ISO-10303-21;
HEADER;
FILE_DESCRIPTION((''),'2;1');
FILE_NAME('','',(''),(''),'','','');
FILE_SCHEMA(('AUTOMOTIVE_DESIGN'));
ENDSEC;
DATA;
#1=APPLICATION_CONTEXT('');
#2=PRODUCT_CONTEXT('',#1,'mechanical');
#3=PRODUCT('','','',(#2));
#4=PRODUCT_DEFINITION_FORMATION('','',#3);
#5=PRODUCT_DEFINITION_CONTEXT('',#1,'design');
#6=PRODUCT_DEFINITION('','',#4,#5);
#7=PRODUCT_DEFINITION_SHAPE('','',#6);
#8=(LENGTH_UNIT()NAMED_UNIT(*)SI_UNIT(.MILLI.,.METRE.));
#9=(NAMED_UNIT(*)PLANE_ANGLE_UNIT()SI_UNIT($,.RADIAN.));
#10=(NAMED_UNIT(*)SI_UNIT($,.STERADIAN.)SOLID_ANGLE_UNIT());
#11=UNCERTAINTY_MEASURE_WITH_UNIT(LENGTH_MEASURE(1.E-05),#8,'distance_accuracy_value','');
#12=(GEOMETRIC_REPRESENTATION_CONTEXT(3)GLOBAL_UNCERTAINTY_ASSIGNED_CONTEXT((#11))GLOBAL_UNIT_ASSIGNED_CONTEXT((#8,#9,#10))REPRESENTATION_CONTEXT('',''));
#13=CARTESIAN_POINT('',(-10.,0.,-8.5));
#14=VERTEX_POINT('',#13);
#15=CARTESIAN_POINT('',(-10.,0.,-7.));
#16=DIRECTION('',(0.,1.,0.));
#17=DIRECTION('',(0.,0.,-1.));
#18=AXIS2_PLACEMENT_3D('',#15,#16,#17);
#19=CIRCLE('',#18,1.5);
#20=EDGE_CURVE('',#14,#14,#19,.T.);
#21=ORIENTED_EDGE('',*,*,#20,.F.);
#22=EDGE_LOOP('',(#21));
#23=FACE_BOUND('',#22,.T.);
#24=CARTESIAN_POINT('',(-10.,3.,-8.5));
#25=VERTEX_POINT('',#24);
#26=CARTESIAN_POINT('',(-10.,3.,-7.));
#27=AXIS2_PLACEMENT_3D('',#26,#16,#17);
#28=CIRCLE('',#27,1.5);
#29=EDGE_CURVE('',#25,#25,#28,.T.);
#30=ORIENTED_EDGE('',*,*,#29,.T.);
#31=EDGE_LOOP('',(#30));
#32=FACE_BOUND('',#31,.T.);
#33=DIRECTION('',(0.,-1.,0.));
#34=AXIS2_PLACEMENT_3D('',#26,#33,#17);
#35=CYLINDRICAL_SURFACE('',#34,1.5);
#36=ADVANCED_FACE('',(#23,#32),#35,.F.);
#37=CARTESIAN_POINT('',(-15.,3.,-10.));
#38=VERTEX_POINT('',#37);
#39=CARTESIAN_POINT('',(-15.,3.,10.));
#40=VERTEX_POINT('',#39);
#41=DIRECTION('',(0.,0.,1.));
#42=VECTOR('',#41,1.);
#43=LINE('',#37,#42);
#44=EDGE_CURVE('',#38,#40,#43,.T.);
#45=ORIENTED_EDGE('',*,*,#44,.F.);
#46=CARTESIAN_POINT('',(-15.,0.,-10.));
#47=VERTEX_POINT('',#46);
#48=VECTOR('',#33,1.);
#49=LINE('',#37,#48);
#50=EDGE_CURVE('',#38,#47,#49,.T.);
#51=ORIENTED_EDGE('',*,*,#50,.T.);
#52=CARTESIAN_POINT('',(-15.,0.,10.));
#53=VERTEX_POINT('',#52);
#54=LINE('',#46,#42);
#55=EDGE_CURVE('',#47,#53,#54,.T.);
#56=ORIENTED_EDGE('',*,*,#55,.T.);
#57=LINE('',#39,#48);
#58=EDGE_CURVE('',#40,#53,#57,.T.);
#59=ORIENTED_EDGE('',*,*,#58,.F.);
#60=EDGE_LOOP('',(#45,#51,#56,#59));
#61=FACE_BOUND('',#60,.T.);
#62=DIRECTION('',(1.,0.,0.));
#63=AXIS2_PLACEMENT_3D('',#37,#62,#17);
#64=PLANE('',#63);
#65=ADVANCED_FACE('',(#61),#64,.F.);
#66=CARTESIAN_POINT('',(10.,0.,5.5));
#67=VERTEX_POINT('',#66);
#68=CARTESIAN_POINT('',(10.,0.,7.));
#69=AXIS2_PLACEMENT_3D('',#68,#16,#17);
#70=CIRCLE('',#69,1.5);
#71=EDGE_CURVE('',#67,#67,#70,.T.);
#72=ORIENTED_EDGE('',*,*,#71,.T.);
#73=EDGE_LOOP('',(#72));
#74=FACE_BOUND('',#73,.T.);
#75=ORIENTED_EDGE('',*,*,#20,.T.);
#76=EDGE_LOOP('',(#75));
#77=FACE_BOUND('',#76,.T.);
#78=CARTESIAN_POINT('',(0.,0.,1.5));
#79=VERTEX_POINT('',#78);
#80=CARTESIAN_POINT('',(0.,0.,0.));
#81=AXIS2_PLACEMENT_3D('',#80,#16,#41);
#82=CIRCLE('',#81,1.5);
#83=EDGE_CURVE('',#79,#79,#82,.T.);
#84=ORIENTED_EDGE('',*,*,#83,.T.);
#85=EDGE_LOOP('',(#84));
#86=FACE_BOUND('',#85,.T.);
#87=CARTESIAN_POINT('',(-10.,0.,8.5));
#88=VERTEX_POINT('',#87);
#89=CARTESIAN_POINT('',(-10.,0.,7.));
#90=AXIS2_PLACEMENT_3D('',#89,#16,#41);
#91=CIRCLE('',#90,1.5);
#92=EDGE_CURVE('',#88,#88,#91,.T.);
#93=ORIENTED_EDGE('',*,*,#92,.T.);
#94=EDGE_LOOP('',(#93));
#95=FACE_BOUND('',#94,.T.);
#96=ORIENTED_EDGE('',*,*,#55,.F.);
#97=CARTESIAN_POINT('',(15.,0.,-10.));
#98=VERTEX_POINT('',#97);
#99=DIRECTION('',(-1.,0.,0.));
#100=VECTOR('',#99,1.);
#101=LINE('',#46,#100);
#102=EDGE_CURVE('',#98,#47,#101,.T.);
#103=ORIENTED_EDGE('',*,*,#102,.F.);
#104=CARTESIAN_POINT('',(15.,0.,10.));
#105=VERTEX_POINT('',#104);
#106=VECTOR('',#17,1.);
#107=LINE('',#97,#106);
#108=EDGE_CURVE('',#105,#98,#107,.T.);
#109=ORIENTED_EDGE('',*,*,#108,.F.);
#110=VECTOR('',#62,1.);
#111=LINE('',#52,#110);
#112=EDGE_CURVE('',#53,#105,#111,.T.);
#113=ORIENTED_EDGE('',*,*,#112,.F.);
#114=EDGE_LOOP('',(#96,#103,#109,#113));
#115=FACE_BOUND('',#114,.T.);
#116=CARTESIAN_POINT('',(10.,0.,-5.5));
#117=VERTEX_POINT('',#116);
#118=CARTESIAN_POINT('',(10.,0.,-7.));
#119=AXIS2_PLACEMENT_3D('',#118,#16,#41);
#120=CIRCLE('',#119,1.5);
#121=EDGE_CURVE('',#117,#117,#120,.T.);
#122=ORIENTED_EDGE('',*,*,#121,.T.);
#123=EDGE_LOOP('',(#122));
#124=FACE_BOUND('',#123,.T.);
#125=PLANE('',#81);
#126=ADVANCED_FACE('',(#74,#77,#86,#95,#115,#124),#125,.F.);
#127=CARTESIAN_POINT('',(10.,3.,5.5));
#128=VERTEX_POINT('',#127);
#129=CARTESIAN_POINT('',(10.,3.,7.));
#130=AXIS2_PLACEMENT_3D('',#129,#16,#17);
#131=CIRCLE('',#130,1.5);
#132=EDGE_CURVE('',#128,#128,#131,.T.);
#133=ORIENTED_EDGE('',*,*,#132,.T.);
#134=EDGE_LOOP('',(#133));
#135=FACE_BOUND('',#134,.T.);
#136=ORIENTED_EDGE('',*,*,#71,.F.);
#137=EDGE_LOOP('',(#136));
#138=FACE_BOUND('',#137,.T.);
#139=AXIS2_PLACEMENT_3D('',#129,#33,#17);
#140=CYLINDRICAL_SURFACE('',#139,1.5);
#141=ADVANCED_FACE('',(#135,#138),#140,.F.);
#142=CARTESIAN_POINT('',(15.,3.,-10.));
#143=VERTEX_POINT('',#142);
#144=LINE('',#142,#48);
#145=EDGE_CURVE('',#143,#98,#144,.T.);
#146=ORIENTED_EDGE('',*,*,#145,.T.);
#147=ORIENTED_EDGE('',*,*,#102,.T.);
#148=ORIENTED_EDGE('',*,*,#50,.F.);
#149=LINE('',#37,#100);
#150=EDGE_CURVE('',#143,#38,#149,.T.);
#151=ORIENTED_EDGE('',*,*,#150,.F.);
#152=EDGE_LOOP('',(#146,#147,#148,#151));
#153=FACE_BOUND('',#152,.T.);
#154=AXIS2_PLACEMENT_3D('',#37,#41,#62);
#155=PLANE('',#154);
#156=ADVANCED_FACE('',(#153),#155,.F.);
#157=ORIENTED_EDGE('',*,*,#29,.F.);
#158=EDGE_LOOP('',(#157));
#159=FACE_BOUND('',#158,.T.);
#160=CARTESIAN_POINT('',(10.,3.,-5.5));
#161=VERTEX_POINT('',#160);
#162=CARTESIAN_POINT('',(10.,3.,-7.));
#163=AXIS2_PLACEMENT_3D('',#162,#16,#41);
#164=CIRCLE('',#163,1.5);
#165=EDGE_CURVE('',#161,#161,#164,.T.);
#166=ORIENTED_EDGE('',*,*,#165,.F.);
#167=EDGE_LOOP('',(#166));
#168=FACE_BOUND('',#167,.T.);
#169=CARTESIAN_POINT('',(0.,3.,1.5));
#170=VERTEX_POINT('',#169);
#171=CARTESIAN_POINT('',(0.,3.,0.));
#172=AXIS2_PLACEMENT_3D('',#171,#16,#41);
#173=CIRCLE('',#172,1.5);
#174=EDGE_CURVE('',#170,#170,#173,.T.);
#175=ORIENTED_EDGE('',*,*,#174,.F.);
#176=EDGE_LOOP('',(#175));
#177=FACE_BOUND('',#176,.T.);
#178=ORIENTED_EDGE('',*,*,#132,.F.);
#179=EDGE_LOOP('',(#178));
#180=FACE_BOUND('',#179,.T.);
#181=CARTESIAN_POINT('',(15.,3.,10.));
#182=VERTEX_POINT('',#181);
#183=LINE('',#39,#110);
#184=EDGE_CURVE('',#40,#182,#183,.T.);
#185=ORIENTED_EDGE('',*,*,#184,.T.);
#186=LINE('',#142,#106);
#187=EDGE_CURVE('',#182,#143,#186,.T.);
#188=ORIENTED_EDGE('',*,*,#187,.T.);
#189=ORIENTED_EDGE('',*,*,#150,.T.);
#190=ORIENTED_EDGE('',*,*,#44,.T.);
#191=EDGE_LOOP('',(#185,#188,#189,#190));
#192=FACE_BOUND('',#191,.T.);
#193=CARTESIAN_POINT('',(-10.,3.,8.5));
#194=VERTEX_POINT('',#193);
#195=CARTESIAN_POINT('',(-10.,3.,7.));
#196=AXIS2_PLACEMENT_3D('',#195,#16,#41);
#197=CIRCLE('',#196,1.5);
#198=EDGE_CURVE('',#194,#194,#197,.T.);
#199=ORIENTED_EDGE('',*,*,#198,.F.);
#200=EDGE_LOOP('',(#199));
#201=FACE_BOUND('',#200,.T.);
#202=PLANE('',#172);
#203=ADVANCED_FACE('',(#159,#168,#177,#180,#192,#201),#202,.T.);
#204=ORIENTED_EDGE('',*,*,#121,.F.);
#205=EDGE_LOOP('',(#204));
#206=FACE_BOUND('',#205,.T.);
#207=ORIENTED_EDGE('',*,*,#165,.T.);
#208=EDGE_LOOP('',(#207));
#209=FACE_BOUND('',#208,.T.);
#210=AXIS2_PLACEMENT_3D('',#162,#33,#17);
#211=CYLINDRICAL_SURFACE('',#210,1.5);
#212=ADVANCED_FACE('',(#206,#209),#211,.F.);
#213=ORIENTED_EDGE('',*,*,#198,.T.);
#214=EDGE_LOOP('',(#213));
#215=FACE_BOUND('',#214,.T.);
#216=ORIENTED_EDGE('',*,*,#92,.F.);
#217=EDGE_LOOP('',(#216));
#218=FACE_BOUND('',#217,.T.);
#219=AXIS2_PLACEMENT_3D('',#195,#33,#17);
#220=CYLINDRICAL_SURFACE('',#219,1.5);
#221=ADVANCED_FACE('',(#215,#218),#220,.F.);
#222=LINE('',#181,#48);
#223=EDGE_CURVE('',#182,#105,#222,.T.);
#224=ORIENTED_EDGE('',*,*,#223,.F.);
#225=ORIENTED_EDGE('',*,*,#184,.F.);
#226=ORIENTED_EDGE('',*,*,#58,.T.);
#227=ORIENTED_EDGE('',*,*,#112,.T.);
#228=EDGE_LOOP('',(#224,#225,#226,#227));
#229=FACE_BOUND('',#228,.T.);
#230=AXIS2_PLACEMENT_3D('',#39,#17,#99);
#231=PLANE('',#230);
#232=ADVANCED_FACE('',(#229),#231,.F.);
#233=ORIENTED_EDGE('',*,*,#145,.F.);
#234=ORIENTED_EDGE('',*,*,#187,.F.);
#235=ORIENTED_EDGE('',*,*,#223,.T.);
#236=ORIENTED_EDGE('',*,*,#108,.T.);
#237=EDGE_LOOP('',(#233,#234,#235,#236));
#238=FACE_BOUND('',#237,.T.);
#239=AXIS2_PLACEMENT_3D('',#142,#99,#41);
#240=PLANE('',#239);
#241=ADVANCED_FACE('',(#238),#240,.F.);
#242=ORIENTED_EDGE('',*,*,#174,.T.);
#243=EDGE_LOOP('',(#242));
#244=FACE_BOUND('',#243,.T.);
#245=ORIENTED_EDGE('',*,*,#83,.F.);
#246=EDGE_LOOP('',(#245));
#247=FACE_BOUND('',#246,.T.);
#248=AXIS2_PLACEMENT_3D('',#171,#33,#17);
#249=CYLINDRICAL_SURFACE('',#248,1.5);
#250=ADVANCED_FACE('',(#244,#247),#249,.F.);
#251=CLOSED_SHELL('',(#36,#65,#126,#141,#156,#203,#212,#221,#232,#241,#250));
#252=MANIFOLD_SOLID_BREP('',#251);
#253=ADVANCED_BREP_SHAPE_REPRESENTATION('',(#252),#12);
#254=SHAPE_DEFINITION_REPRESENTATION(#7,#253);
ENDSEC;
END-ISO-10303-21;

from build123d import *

# Parameters (mm, degrees)
SKETCH_1_W      = 30
SKETCH_1_H      = 20
SKETCH_1_R      = 1.5
EXTRUDE_1_DEPTH = 3


with BuildPart() as part:
    # 草图1 → 凸台-拉伸1 (new body)
    with BuildSketch(Plane(origin=(0, 0, 0), x_dir=(1, 0, 0), z_dir=(0, 1, 0))):
        Rectangle(SKETCH_1_W, SKETCH_1_H)
        with Locations(Location((-10, -7, 0), (0, 0, 270))):
            Circle(SKETCH_1_R, mode=Mode.SUBTRACT)
        with Locations(Location((10, -7, 0), (0, 0, 90))):
            Circle(SKETCH_1_R, mode=Mode.SUBTRACT)
        with Locations(Location((10, 7, 0), (0, 0, 270))):
            Circle(SKETCH_1_R, mode=Mode.SUBTRACT)
        with Locations(Location((-10, 7, 0), (0, 0, 90))):
            Circle(SKETCH_1_R, mode=Mode.SUBTRACT)
        with Locations(Location((0, 0, 0), (0, 0, 270))):
            Circle(SKETCH_1_R, mode=Mode.SUBTRACT)
    extrude(amount=EXTRUDE_1_DEPTH)


solid = part.part
